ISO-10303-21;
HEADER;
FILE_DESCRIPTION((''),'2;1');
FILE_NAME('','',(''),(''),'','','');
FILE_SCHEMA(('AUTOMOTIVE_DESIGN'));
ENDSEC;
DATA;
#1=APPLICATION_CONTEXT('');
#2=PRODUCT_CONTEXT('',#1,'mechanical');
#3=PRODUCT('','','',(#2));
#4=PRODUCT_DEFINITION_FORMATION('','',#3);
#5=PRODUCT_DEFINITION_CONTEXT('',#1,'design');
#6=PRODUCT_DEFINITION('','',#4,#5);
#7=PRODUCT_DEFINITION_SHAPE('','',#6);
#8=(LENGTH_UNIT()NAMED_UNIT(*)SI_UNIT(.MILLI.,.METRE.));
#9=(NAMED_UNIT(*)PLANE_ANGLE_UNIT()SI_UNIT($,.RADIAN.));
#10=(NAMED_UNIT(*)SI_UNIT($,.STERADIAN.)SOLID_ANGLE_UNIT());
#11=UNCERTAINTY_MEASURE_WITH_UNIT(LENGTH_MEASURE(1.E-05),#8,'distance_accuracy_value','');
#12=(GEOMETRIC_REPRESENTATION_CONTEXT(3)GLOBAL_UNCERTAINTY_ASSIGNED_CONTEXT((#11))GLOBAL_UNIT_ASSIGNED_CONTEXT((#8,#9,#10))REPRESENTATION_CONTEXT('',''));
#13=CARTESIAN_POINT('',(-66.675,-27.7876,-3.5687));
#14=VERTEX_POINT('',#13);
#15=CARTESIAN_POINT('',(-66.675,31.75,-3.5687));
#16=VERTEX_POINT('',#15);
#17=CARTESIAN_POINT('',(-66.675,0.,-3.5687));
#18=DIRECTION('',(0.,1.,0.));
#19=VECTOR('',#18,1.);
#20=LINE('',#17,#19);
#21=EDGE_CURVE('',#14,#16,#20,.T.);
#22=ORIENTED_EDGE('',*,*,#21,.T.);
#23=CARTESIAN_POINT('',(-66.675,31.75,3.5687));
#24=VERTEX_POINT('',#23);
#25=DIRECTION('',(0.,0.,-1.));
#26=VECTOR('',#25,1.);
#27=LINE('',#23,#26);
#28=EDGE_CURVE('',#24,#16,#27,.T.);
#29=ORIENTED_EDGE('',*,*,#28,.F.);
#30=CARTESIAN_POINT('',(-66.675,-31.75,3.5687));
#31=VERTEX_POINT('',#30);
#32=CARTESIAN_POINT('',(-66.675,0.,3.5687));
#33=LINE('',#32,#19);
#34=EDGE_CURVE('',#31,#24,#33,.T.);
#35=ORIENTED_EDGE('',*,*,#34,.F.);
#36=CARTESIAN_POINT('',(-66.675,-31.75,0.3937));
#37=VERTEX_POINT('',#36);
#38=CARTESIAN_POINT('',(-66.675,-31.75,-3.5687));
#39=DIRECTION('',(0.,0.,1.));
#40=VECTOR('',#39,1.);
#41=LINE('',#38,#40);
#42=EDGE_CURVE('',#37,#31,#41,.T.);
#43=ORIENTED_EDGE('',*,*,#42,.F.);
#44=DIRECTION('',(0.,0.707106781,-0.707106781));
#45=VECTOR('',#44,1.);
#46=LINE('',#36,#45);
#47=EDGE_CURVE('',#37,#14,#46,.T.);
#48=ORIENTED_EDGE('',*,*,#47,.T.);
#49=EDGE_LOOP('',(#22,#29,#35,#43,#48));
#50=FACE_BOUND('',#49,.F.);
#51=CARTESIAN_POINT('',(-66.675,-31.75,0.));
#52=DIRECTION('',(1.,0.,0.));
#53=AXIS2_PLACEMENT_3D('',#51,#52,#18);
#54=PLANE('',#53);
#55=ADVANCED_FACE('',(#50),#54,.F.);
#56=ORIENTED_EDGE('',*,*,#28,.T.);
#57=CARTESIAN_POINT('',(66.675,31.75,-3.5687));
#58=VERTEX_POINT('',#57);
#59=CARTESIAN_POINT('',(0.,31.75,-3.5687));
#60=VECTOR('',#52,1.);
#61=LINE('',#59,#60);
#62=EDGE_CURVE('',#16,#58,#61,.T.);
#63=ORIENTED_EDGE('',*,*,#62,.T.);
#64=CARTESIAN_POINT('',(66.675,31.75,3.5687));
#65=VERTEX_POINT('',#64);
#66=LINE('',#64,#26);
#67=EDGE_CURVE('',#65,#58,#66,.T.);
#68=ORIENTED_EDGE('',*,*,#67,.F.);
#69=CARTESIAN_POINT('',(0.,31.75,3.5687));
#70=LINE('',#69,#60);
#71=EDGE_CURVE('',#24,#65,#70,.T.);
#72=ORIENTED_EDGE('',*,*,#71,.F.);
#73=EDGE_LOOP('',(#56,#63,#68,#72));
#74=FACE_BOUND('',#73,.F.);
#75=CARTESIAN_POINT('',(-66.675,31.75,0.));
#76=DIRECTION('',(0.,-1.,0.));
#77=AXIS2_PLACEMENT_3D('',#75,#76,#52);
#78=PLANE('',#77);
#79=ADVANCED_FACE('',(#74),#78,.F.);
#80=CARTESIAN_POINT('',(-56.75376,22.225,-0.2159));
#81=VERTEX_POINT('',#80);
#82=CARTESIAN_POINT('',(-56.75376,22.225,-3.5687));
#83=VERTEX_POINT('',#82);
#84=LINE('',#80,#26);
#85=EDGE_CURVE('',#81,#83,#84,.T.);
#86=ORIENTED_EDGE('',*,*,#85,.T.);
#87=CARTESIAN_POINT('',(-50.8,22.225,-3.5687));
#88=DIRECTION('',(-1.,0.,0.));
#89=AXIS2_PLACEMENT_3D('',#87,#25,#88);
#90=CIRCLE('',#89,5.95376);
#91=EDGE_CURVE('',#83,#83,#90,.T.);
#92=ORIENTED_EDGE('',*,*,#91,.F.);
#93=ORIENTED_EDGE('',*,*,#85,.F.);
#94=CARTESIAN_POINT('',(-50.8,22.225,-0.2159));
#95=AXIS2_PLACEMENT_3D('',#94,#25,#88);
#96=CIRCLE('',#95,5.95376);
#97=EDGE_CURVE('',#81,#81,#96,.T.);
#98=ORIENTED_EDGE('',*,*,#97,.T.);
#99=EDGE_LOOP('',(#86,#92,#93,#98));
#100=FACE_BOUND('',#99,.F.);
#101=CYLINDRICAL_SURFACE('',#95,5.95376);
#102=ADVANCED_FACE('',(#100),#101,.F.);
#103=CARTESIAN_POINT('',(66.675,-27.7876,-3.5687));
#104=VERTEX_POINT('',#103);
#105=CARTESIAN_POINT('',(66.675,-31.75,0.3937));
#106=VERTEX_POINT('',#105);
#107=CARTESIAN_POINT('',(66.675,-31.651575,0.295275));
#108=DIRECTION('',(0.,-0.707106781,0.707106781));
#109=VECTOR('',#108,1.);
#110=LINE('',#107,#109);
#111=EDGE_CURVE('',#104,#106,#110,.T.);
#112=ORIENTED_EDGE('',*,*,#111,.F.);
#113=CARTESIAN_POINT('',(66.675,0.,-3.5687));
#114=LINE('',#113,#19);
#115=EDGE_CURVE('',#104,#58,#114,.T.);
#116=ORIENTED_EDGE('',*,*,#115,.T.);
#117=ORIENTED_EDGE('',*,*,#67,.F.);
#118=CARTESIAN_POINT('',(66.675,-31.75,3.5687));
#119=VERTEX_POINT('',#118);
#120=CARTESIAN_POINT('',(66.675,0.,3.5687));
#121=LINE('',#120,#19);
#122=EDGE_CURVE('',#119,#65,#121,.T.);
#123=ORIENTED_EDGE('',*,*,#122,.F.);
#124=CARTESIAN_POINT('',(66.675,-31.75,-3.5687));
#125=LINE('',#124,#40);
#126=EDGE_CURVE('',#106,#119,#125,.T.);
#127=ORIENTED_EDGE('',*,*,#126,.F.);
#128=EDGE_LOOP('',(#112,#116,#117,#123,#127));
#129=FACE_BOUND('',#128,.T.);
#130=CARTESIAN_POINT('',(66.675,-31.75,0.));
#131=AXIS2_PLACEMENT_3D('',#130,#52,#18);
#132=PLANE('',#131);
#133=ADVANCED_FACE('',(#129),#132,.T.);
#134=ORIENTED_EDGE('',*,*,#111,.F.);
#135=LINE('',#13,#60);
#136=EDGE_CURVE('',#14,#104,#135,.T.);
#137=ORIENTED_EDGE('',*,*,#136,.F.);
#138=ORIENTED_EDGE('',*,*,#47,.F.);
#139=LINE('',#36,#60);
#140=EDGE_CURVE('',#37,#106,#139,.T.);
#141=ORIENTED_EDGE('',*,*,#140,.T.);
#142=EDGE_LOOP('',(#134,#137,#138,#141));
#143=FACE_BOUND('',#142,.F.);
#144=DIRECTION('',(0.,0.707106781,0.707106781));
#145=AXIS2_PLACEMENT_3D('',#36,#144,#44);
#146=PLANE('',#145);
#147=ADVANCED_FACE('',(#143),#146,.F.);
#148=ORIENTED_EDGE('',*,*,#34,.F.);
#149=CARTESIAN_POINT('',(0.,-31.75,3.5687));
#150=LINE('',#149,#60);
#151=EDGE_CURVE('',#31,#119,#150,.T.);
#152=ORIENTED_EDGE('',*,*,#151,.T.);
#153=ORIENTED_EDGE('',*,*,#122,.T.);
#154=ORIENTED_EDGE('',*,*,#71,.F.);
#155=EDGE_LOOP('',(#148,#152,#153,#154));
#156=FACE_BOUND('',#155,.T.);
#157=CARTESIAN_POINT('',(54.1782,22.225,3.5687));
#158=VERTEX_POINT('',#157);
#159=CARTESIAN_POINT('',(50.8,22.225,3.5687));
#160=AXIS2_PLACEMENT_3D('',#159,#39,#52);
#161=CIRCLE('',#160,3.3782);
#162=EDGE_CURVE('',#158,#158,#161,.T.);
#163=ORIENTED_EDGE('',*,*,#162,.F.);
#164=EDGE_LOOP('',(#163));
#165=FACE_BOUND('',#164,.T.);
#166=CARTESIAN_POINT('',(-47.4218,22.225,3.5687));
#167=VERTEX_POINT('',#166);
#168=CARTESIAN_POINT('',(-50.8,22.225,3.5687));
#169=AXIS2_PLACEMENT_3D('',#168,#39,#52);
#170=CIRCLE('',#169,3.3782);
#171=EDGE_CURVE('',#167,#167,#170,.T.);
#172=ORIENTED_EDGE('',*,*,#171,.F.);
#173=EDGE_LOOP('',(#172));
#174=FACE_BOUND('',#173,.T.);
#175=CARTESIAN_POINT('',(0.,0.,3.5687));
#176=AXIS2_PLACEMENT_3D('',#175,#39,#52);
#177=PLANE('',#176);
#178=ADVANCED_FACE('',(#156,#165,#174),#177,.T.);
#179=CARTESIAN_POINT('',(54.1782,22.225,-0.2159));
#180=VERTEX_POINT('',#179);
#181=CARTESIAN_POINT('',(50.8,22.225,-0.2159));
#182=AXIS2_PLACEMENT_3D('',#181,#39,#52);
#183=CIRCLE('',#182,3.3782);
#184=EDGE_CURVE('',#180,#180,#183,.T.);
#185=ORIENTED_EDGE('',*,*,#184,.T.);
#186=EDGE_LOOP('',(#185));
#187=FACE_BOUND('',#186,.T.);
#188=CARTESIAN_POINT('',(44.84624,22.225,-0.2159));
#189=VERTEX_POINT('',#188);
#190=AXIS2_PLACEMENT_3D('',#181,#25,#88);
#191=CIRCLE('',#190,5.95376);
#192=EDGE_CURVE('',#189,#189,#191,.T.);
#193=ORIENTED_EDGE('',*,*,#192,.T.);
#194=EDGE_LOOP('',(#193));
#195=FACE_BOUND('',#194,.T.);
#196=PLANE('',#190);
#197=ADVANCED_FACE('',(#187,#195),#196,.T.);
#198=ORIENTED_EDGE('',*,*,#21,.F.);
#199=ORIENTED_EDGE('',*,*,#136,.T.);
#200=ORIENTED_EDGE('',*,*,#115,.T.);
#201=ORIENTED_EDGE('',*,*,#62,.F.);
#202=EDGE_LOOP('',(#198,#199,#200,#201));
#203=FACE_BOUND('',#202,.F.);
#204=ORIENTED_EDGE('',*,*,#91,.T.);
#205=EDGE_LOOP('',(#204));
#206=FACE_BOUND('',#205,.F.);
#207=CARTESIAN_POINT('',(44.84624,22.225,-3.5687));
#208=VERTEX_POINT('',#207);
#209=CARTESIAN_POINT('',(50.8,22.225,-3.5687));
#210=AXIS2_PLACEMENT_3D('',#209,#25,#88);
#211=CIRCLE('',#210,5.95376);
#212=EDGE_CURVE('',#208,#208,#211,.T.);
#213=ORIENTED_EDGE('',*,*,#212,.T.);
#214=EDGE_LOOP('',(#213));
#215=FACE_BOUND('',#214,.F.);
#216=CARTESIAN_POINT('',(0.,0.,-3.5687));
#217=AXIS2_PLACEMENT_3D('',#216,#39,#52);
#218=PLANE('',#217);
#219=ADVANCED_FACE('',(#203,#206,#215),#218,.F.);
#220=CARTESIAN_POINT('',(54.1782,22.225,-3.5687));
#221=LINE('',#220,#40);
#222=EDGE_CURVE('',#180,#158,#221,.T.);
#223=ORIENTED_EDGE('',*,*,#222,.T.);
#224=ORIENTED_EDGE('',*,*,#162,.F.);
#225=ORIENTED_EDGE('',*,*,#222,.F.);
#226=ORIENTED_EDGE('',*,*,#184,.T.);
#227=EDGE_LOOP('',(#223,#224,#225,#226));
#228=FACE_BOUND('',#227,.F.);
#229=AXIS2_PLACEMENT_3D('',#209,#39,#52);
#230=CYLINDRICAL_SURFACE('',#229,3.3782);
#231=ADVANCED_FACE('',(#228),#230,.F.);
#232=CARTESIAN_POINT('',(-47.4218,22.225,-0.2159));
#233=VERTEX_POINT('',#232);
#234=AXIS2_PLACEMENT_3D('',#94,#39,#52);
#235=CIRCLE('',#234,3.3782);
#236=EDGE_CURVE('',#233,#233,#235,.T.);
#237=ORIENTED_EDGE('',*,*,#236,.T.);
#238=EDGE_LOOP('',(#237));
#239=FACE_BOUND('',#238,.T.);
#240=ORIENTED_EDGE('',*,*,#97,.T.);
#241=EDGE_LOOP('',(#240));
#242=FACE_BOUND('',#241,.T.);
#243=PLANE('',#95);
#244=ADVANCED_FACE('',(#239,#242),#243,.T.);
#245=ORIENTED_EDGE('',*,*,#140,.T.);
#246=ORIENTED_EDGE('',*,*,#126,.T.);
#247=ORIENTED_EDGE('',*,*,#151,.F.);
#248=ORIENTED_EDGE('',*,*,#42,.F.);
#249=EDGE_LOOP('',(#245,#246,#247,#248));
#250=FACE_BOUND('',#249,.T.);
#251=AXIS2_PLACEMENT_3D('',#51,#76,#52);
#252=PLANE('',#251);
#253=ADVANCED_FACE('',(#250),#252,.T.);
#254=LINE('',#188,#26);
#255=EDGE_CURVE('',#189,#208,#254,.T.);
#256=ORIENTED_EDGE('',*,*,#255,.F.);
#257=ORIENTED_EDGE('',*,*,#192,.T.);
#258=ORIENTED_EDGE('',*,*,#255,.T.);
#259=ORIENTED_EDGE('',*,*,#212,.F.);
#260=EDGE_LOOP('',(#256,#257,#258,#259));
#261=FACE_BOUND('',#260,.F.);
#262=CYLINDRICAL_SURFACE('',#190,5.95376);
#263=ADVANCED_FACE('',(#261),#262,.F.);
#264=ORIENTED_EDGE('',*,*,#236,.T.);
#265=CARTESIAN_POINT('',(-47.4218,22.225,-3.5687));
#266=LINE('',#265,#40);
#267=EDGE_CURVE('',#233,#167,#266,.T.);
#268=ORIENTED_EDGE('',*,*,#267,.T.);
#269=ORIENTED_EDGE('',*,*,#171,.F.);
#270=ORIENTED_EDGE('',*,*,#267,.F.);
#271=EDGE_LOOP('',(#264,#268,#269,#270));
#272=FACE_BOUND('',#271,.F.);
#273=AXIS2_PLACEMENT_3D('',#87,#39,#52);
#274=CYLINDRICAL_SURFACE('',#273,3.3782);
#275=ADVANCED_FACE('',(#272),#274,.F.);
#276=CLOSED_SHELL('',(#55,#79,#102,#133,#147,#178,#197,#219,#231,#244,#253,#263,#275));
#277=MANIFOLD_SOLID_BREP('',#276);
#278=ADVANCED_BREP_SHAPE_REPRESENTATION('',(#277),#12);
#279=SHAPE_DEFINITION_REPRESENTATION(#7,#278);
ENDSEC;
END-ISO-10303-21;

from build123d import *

# Parameters (mm, degrees)
SKETCH1_W                                        = 133.35
SKETCH1_H                                        = 63.5
BOSS_EXTRUDE1_DEPTH                              = 3.5687
CUT_EXTRUDE1_DEPTH                               = 134.35
CBORE_FOR_1_4_BUTTON_HEAD_CAP_SCREW1_D           = 6.7564
CBORE_FOR_1_4_BUTTON_HEAD_CAP_SCREW1_CBORE_D     = 11.90752
CBORE_FOR_1_4_BUTTON_HEAD_CAP_SCREW1_CBORE_DEPTH = 3.3528


with BuildPart() as part:
    # Sketch1 → Boss-Extrude1 (new body, symmetric)
    with BuildSketch(Plane.XY):
        Rectangle(SKETCH1_W, SKETCH1_H)
    extrude(amount=BOSS_EXTRUDE1_DEPTH, both=True)

    # Sketch2 → Cut-Extrude1 (cut, through all)
    with BuildSketch(Plane.ZY.offset(66.675)):
        Polygon((0.3937, -31.75), (-3.5687, -27.7876), (-3.5687, -31.75), align=None)
    extrude(amount=-CUT_EXTRUDE1_DEPTH, mode=Mode.SUBTRACT)

    # CBORE for 1/4 Button Head Cap Screw1 (through all)
    with Locations(Plane(origin=(0, 0, -3.5687), x_dir=(-1, 0, 0), z_dir=(0, 0, -1))):
        with Locations((-50.8, 22.225), (50.8, 22.225)):
            CounterBoreHole(CBORE_FOR_1_4_BUTTON_HEAD_CAP_SCREW1_D / 2, CBORE_FOR_1_4_BUTTON_HEAD_CAP_SCREW1_CBORE_D / 2, CBORE_FOR_1_4_BUTTON_HEAD_CAP_SCREW1_CBORE_DEPTH)


solid = part.part
